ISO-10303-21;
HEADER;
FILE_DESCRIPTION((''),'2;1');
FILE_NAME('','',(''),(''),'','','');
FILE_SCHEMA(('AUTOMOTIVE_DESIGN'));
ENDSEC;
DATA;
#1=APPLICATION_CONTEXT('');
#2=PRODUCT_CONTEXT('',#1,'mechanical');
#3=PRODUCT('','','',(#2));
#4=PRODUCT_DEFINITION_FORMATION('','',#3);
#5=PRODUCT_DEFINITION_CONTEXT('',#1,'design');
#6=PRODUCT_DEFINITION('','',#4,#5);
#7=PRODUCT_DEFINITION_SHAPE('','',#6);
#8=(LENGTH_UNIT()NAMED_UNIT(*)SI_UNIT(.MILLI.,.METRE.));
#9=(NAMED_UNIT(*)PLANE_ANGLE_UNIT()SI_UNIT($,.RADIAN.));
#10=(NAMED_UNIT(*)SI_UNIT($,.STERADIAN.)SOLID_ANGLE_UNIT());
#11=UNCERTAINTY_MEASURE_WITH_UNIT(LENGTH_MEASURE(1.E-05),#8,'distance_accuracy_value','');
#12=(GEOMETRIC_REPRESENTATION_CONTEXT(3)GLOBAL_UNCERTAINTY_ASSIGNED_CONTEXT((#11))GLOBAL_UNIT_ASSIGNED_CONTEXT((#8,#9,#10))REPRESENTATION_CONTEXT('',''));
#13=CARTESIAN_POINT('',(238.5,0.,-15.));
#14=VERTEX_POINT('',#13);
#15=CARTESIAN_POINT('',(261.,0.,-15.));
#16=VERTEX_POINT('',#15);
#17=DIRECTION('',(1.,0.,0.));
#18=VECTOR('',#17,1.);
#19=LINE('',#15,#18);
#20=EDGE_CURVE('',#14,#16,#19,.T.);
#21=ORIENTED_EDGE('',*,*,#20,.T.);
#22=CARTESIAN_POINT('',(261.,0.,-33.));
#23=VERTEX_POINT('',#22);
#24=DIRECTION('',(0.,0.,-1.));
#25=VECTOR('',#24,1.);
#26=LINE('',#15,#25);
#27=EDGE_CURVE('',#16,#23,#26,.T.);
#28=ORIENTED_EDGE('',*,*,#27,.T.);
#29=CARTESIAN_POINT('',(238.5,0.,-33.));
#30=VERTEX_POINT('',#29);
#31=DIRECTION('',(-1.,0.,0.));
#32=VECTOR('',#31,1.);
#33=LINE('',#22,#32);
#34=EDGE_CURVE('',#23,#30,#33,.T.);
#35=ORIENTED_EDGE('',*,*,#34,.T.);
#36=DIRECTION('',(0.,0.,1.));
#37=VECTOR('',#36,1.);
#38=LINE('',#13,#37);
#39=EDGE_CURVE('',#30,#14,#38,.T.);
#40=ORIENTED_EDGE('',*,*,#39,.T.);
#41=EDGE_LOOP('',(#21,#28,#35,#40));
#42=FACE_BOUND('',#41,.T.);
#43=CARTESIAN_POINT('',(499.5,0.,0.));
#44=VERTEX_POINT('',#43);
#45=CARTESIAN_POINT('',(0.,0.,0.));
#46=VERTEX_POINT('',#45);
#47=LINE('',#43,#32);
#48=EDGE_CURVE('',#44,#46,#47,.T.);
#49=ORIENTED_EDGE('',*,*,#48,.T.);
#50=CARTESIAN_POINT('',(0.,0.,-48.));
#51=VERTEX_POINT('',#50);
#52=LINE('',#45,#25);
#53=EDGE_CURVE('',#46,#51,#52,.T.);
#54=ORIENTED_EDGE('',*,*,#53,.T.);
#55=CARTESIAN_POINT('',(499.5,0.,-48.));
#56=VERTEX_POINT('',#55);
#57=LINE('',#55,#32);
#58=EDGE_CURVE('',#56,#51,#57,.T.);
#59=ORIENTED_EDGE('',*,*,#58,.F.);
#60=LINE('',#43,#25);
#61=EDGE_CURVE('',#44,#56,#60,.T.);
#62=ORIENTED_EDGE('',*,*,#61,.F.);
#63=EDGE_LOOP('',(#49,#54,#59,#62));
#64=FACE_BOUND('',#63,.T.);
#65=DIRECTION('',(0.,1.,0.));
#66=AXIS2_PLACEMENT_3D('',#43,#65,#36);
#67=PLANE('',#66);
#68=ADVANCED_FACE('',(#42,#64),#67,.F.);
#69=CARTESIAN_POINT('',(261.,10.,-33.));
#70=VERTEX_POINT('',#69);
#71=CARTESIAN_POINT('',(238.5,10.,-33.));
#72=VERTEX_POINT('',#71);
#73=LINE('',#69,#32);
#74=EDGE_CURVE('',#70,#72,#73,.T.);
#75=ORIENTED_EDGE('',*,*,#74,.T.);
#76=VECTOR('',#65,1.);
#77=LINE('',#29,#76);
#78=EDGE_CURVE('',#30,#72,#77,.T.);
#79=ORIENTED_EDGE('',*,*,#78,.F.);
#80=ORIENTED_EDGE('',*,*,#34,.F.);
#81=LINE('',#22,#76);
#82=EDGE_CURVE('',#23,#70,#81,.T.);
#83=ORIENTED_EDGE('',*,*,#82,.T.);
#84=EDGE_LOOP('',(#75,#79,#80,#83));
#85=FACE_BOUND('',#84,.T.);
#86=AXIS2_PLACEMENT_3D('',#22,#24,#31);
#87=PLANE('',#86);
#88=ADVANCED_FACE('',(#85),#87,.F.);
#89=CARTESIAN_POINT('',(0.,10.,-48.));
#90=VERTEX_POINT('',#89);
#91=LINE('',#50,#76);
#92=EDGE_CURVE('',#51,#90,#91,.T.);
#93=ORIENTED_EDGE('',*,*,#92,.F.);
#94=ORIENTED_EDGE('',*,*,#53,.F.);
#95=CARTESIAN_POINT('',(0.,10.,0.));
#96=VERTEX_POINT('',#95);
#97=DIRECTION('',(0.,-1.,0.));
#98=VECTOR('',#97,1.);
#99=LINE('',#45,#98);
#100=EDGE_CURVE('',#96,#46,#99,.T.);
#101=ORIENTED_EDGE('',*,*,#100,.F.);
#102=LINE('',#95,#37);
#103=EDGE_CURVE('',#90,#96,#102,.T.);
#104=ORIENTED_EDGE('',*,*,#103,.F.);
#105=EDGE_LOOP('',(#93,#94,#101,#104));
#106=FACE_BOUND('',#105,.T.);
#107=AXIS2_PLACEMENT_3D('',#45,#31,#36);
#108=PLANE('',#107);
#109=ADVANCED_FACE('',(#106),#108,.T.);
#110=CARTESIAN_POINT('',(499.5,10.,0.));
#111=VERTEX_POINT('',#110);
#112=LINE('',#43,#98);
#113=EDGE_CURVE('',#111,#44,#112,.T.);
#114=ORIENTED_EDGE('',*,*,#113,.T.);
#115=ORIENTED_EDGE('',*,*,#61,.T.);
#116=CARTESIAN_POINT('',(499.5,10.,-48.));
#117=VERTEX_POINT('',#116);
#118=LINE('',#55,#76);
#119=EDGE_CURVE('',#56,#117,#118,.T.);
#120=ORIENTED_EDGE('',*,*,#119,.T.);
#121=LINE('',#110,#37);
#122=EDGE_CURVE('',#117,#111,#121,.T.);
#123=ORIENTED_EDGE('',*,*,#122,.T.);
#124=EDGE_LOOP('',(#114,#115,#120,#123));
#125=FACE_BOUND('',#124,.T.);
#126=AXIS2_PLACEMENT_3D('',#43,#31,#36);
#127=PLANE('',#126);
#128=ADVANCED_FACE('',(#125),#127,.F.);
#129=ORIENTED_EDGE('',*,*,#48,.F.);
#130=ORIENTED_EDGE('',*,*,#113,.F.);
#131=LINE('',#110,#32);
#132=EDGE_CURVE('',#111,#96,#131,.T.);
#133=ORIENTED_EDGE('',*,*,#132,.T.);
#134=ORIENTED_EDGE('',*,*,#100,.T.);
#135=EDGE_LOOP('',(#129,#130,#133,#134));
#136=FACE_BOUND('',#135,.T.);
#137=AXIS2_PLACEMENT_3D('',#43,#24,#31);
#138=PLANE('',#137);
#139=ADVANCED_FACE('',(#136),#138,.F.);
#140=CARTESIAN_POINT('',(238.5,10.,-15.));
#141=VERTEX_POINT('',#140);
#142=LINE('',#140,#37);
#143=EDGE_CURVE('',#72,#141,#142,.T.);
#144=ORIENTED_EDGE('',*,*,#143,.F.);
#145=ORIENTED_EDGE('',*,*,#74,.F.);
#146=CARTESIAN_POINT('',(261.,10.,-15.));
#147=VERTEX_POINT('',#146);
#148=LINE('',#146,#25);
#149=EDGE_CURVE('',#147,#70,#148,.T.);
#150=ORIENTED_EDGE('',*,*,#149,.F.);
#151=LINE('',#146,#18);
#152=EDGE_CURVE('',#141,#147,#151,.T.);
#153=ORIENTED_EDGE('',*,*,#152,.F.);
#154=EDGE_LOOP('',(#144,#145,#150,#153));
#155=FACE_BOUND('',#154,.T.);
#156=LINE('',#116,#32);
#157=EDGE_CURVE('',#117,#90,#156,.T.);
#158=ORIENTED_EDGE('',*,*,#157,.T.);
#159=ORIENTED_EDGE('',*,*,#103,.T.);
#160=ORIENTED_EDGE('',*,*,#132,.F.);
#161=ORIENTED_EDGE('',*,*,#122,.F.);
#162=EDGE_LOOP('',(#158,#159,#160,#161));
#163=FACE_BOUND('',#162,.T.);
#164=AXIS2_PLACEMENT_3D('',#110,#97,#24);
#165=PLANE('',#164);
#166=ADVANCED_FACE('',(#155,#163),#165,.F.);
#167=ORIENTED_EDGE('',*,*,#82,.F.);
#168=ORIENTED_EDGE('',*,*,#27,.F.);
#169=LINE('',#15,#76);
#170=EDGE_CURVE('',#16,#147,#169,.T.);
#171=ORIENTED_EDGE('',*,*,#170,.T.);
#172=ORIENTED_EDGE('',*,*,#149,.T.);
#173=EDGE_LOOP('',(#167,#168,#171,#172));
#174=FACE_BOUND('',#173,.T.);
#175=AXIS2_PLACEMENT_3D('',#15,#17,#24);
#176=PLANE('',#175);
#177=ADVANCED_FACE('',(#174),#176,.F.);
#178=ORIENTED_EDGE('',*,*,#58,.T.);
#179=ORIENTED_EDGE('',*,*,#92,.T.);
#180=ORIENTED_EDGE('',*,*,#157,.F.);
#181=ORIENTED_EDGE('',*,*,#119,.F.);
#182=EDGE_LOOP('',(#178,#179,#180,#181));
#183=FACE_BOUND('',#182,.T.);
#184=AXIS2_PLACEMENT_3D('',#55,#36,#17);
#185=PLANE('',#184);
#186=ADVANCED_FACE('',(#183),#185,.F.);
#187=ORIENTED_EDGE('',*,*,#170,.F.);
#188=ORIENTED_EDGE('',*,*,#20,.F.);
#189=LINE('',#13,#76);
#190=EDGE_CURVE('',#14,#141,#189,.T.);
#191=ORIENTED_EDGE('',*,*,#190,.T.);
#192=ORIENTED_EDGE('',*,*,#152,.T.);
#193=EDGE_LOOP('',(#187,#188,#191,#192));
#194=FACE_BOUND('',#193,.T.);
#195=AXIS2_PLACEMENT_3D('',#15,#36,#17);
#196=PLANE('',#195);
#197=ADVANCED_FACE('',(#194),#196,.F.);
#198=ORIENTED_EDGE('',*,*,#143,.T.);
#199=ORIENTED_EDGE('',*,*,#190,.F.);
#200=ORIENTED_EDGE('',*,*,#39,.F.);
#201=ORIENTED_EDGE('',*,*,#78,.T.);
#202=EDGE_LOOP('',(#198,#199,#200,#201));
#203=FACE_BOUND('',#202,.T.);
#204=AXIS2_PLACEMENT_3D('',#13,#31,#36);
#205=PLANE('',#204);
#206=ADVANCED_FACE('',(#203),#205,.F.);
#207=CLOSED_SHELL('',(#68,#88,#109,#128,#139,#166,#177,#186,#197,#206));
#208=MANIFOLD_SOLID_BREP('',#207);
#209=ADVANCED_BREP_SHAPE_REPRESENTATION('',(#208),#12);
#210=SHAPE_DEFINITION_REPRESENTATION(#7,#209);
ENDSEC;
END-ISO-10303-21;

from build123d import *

# Parameters (mm, degrees)
SKETCH1_W           = 48
SKETCH1_H           = 10
BOSS_EXTRUDE1_DEPTH = 499.5
SKETCH2_W           = 22.5
SKETCH2_H           = 18
CUT_EXTRUDE1_DEPTH  = 502.900637577


with BuildPart() as part:
    # Sketch1 → Boss-Extrude1 (new body)
    with BuildSketch(Plane(origin=(0, 0, 0), x_dir=(0, 0, -1), z_dir=(1, 0, 0))):
        with Locations((24, 5)):
            Rectangle(SKETCH1_W, SKETCH1_H)
    extrude(amount=BOSS_EXTRUDE1_DEPTH)

    # Sketch2 → Cut-Extrude1 (cut, through all)
    with BuildSketch(Plane(origin=(0, 10, 0), x_dir=(1, 0, 0), z_dir=(0, 1, 0))):
        with Locations((249.75, 24)):
            Rectangle(SKETCH2_W, SKETCH2_H)
    extrude(amount=-CUT_EXTRUDE1_DEPTH, mode=Mode.SUBTRACT)


solid = part.part
